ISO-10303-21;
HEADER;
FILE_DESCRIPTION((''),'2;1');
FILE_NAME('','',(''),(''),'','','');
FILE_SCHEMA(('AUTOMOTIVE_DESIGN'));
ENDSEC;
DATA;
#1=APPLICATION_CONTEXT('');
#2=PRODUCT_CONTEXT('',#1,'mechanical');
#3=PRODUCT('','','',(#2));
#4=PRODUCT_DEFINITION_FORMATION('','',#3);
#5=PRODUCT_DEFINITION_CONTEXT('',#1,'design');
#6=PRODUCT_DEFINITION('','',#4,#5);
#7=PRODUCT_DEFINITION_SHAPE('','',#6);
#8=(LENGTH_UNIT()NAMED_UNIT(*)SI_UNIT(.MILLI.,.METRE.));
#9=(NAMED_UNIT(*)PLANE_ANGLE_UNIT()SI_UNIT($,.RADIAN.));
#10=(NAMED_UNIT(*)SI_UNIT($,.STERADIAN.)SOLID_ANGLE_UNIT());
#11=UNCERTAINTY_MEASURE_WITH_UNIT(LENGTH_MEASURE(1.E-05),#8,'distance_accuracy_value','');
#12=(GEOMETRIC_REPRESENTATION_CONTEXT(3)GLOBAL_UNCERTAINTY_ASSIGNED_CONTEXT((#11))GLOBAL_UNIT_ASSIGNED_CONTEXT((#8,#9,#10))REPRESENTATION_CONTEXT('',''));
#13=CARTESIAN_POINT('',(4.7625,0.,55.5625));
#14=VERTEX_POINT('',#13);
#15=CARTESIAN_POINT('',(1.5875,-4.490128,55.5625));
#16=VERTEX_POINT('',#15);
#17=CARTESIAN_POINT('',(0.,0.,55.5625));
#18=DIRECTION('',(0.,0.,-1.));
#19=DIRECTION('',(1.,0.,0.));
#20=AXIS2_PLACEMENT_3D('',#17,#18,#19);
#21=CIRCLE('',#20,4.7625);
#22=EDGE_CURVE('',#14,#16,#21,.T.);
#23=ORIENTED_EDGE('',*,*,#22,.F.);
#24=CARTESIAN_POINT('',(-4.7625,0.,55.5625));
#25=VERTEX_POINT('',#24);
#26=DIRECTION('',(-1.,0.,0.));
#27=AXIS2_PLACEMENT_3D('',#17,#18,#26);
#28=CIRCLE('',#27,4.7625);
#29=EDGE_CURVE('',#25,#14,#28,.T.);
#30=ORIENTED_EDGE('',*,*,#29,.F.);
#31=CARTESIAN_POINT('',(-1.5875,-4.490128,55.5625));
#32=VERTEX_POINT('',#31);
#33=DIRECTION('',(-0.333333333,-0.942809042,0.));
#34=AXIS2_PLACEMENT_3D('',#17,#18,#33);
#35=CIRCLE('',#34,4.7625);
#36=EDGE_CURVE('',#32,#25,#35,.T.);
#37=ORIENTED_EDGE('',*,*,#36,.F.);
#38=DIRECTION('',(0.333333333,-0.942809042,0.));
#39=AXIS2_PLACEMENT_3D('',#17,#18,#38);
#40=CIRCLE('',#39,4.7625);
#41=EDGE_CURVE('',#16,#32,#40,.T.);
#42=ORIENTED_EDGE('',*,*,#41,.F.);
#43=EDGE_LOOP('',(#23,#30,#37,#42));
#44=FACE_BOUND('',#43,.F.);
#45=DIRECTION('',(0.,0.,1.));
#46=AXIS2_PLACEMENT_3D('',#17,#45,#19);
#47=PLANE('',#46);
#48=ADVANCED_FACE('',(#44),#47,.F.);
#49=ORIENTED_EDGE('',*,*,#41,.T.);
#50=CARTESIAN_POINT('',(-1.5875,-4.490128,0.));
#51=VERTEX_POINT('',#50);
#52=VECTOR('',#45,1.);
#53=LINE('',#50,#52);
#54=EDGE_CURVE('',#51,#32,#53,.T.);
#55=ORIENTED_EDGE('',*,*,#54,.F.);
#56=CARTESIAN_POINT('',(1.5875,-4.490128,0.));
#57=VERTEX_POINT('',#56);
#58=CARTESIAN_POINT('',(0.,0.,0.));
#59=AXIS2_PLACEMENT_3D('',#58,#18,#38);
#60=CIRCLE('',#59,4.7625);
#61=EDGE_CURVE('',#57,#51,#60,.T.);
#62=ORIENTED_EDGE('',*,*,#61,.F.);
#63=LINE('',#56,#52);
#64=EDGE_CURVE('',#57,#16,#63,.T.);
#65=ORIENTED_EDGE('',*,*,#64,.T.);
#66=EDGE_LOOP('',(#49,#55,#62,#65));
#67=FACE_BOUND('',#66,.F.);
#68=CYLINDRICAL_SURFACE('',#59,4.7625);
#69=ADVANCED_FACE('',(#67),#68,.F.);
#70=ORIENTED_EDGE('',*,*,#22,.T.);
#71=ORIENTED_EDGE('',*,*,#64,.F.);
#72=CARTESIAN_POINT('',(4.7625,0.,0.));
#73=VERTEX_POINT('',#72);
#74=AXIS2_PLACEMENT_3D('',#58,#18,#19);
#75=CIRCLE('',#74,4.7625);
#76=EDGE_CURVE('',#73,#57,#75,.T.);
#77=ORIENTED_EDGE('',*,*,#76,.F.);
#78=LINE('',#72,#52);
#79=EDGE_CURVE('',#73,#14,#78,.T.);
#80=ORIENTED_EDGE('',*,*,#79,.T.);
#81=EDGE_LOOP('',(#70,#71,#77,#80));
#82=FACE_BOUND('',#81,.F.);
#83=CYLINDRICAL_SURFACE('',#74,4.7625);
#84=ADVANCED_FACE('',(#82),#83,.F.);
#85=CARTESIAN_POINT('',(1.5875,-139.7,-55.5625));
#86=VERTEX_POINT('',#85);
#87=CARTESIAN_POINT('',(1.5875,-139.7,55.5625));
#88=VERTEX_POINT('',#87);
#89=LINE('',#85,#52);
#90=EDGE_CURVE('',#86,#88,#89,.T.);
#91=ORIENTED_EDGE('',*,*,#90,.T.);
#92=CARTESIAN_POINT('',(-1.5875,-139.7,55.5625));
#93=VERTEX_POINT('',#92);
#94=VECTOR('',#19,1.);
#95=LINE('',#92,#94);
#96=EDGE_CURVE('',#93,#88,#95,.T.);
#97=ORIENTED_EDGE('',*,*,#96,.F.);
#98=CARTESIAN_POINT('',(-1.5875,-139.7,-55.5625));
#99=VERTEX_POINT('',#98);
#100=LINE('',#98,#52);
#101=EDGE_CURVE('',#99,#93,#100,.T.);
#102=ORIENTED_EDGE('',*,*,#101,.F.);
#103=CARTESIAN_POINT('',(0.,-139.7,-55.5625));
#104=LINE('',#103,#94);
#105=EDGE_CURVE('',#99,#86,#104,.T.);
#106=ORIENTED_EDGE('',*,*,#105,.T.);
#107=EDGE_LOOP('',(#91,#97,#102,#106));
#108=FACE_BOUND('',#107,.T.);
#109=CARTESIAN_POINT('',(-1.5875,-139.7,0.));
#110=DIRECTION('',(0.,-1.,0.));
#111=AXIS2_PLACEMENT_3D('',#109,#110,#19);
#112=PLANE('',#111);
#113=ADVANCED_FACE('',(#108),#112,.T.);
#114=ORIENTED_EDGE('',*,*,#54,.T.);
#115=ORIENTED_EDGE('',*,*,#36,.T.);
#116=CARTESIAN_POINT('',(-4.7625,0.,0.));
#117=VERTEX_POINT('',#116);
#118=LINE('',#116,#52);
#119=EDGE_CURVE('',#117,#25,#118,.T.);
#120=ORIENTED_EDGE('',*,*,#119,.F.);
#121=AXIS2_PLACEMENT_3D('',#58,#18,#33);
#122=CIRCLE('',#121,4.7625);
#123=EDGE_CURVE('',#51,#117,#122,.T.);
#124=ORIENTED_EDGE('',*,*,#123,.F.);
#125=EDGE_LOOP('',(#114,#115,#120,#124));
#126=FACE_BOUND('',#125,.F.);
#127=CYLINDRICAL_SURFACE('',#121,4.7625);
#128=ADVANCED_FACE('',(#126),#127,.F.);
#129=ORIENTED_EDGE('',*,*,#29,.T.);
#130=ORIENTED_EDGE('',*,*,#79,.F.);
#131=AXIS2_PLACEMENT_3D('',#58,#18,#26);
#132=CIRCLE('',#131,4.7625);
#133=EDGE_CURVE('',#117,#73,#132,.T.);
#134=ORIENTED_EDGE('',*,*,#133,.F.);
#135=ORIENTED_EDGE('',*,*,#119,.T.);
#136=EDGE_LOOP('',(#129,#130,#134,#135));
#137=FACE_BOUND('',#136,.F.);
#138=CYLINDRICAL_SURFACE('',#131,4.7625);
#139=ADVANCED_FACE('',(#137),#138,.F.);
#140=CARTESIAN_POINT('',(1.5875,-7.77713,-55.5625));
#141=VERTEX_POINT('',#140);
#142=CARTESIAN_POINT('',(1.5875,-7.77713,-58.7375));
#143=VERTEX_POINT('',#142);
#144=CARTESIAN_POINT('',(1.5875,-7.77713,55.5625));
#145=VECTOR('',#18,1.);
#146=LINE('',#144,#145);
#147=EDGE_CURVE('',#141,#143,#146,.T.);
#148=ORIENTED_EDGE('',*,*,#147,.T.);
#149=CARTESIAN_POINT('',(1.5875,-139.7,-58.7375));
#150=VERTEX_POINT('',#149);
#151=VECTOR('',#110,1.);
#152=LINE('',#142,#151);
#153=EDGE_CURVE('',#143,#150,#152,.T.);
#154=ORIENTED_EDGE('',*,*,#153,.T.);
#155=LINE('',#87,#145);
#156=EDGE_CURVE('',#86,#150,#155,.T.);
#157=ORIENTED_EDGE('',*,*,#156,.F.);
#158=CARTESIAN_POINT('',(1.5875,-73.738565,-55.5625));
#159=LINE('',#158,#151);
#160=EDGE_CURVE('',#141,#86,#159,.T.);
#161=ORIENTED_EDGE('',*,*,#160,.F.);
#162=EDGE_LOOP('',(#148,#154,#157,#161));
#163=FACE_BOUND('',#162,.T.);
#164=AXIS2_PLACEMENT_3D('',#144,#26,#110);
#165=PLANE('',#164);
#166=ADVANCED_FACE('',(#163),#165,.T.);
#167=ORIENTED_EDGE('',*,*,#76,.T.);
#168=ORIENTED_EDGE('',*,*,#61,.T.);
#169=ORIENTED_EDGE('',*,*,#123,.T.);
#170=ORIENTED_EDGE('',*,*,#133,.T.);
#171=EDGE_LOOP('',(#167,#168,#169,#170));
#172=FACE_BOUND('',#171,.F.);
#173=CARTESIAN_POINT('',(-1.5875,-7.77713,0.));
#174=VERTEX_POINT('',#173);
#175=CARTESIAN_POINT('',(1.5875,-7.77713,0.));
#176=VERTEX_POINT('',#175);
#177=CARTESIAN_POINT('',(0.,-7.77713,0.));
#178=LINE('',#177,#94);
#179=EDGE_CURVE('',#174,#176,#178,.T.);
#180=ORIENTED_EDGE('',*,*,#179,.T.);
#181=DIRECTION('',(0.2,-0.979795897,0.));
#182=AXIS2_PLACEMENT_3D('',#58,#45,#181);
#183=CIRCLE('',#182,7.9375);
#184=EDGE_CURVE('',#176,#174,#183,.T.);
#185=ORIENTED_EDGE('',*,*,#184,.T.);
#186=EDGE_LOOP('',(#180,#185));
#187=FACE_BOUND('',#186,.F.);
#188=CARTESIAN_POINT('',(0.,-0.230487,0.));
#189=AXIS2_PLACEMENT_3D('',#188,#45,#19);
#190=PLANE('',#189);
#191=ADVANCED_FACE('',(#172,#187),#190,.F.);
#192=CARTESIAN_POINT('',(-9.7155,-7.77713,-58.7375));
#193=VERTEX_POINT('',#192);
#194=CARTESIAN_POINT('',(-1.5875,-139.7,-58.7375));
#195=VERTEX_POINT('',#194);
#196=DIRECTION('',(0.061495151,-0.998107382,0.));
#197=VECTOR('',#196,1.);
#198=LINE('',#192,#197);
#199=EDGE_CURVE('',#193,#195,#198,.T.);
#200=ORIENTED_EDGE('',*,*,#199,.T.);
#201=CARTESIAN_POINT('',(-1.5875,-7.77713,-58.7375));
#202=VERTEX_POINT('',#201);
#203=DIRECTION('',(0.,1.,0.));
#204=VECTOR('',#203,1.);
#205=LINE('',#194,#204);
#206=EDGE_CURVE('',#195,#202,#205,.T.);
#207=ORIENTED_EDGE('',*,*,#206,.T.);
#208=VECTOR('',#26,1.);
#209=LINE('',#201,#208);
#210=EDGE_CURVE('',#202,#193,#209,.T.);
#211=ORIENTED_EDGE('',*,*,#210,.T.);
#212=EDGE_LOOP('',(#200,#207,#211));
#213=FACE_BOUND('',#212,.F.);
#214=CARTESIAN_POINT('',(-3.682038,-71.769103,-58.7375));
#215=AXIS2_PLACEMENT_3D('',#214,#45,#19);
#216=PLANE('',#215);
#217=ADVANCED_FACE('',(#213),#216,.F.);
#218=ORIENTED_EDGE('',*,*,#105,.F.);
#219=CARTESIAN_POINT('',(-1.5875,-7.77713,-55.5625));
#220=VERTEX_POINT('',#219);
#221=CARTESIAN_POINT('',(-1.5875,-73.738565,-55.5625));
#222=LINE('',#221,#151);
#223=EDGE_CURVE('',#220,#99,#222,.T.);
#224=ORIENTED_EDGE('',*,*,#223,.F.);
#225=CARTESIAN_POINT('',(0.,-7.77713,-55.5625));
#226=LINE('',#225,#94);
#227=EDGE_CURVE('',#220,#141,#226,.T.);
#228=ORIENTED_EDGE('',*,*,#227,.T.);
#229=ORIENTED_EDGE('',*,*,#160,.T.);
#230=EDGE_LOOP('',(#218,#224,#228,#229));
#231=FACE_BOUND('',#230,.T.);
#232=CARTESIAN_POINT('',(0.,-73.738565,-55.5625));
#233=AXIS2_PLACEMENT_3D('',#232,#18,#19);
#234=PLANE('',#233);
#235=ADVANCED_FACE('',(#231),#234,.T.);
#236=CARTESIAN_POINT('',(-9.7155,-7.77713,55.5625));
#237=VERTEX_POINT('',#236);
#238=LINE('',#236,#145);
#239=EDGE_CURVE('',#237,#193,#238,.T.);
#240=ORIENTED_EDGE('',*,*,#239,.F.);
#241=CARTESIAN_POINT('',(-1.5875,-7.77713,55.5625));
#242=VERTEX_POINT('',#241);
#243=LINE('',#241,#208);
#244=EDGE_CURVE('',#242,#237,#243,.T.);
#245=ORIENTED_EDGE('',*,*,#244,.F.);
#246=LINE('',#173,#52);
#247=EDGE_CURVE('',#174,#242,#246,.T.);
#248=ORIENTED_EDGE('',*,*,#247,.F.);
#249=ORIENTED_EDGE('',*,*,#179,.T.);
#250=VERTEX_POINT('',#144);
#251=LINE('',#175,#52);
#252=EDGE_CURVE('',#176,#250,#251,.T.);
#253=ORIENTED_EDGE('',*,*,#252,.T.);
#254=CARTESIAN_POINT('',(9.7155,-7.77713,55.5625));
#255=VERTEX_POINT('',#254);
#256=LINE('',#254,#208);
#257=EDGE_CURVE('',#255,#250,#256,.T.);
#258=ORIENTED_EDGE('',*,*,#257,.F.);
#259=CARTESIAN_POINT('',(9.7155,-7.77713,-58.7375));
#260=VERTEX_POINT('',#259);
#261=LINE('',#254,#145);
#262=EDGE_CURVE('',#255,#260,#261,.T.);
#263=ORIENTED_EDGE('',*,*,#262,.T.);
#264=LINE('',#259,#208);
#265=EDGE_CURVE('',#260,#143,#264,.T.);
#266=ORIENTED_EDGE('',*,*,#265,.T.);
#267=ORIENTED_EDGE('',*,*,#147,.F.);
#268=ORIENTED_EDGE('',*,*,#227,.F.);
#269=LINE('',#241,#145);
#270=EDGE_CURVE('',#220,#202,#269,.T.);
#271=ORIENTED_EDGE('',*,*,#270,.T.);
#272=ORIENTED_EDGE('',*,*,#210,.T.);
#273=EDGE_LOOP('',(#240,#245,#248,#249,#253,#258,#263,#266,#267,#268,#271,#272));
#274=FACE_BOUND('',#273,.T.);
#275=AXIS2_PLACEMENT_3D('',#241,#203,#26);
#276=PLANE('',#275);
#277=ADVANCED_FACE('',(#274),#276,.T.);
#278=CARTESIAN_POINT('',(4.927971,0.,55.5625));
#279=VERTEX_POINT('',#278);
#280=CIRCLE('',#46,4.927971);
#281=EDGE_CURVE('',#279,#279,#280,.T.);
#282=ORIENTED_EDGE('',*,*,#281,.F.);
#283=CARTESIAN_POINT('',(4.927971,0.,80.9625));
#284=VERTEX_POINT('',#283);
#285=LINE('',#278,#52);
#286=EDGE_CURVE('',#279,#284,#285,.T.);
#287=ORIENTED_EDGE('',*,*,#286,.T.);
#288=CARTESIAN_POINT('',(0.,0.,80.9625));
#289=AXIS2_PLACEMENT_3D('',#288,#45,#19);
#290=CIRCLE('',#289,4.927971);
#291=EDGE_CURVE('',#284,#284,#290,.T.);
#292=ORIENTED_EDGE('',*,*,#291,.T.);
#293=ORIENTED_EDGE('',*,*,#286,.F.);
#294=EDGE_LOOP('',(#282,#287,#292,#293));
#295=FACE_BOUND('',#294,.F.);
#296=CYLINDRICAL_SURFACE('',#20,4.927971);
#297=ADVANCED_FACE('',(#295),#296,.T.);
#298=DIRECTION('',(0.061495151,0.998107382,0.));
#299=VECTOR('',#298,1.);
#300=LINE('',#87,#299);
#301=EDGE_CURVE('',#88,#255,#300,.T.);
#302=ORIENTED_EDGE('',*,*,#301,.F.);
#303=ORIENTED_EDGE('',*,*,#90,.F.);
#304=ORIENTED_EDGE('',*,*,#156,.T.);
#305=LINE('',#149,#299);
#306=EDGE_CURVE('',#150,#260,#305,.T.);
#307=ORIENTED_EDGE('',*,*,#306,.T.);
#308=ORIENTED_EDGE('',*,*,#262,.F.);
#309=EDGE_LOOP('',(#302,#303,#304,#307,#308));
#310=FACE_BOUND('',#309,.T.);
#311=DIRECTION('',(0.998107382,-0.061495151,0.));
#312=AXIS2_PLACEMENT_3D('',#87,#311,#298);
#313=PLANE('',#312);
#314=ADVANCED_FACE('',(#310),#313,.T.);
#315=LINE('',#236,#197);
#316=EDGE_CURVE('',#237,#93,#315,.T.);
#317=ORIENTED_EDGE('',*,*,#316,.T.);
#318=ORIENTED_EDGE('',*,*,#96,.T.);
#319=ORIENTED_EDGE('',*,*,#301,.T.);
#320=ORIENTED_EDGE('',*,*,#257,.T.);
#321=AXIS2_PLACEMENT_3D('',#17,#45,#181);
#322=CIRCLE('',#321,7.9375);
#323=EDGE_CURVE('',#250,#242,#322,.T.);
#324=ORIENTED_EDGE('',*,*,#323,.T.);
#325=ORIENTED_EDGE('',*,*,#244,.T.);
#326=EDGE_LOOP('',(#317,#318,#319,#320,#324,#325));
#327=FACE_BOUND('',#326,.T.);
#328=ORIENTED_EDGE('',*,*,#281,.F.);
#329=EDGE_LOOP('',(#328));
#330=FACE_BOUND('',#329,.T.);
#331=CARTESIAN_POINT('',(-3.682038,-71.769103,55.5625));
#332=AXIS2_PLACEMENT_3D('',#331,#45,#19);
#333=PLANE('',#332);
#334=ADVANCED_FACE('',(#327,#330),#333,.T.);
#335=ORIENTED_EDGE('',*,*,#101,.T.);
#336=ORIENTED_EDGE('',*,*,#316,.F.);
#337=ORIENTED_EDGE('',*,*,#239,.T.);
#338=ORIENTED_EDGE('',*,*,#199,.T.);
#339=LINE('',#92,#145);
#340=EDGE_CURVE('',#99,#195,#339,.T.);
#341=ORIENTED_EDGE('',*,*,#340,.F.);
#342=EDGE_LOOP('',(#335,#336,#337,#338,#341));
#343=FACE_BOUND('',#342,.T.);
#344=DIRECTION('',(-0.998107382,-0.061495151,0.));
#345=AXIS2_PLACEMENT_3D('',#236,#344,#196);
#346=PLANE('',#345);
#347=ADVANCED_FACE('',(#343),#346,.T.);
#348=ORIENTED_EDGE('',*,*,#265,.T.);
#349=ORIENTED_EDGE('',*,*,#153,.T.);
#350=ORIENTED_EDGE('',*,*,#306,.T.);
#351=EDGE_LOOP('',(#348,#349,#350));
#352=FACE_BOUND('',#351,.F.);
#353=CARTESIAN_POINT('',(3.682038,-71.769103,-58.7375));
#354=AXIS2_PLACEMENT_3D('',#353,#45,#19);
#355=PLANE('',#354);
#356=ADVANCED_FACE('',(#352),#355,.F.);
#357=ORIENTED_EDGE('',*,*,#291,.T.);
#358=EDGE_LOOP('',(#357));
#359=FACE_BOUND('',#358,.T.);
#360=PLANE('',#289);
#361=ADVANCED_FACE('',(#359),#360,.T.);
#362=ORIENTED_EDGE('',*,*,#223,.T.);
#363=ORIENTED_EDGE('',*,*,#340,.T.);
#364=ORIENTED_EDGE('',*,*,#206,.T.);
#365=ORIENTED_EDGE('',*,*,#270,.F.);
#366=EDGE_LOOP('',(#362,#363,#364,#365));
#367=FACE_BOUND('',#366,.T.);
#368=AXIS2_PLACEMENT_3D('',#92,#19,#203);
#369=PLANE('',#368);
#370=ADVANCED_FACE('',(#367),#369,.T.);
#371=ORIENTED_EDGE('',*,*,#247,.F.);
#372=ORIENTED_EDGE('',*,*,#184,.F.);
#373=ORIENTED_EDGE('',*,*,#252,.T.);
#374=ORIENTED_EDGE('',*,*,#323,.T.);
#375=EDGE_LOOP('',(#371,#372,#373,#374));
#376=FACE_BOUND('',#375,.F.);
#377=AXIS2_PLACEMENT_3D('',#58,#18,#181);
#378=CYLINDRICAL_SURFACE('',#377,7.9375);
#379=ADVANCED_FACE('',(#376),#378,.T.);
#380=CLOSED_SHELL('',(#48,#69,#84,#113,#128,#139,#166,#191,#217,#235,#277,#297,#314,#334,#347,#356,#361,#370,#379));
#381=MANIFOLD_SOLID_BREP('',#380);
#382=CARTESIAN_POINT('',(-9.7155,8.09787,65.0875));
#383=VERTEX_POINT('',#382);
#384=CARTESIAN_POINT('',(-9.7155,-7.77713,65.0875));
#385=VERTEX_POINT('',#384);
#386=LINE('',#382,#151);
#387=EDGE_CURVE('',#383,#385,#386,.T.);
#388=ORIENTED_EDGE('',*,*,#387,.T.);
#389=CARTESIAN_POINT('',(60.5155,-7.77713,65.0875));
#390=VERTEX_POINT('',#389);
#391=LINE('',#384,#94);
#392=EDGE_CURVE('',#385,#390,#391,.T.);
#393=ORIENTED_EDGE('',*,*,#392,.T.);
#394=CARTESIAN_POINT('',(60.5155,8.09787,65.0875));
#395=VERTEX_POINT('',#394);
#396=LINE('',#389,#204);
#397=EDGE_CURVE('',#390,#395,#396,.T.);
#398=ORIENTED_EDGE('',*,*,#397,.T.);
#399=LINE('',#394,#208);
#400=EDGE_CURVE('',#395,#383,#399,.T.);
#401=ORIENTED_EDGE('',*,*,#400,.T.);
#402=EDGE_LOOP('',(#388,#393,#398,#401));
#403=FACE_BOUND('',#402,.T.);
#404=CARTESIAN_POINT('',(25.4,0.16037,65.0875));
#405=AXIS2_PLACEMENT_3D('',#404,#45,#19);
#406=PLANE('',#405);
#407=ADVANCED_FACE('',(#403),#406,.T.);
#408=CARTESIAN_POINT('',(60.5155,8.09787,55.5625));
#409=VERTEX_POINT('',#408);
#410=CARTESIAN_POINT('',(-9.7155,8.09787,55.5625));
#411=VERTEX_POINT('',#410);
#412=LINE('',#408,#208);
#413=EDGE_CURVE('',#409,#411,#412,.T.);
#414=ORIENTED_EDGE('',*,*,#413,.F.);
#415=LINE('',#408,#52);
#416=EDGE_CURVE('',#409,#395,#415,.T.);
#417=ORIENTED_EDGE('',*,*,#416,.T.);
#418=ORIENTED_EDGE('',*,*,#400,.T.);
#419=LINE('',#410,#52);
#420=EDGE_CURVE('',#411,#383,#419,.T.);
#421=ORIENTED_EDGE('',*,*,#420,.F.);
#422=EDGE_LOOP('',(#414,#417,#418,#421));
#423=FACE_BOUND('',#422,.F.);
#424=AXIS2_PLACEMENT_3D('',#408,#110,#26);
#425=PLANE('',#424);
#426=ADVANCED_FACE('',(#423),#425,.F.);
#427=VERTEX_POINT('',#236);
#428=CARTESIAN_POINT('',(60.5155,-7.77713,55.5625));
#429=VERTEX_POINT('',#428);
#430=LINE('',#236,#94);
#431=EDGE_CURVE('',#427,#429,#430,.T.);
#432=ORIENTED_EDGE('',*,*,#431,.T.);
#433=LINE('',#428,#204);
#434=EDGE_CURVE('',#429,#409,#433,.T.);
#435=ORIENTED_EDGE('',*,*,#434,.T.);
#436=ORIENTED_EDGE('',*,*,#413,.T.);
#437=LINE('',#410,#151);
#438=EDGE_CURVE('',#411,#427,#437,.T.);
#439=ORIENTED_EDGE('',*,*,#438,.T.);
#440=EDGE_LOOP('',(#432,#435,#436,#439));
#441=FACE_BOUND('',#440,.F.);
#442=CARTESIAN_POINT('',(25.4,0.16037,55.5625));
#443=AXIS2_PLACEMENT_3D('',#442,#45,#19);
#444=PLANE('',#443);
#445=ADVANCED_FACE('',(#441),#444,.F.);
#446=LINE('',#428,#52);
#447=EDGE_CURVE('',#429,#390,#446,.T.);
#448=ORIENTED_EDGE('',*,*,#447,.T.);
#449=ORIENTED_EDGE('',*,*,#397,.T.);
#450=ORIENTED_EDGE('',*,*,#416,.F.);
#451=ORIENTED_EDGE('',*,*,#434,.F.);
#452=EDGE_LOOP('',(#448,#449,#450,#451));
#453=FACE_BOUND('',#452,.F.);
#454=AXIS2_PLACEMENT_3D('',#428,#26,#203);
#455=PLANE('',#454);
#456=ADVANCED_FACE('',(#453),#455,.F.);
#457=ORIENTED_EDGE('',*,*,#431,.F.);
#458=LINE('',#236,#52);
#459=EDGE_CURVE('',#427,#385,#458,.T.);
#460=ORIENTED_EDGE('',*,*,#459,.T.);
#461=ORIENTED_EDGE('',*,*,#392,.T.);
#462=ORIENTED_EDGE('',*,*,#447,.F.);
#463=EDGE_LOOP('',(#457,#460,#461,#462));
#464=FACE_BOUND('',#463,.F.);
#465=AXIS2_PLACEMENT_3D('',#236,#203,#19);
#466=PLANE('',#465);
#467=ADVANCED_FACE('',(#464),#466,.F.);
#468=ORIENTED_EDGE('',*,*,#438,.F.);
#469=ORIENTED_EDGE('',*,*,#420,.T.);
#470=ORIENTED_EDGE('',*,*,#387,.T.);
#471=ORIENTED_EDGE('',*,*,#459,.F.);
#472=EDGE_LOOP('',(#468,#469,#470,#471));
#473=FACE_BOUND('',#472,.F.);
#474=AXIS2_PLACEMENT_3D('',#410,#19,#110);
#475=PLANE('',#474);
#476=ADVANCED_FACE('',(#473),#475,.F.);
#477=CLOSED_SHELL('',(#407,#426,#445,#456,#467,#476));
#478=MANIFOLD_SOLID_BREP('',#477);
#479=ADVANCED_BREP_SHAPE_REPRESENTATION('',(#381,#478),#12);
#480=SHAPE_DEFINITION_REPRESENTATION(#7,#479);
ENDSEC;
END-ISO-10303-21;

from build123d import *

# Parameters (mm, degrees)
F1_DEPTH = 55.5625
F2_W     = 3.175
F2_H     = 131.9228700667
F3_DEPTH = 55.5625
F5_DEPTH = 114.3
F6_R     = 4.9279707003
F7_DEPTH = 25.4
F9_DEPTH = 9.525


with BuildPart() as f1:
    # F0 (on Top) → F1 (new body)
    with BuildSketch(Plane.XY):
        with BuildLine():
            ThreePointArc((1.5875, -7.7771299333), (6.1483610621, -5.0201157855), (7.9375, 0))
            ThreePointArc((7.9375, 0), (-5.0201157855, 6.1483610621), (-1.5875, -7.7771299333))
            Line((-1.5875, -7.7771299333), (-1.5875, -4.4901280605))
            ThreePointArc((-1.5875, -4.4901280605), (-3.8885649667, -2.749630657), (-4.7625, 0))
            ThreePointArc((-4.7625, 0), (0, 4.7625), (4.7625, 0))
            ThreePointArc((4.7625, 0), (3.8885649667, -2.749630657), (1.5875, -4.4901280605))
            Line((1.5875, -4.4901280605), (1.5875, -7.7771299333))
        make_face()
        with BuildLine():
            Line((-1.5875, -4.4901280605), (-1.5875, -7.7771299333))
            ThreePointArc((-1.5875, -7.7771299333), (0, -7.9375), (1.5875, -7.7771299333))
            Line((1.5875, -7.7771299333), (1.5875, -4.4901280605))
            ThreePointArc((1.5875, -4.4901280605), (0, -4.7625), (-1.5875, -4.4901280605))
        make_face()
        with BuildLine():
            ThreePointArc((1.5875, -7.7771299333), (0, -7.9375), (-1.5875, -7.7771299333))
            Line((-1.5875, -7.7771299333), (-1.5875, -139.7))
            Line((-1.5875, -139.7), (1.5875, -139.7))
            Line((1.5875, -139.7), (1.5875, -7.7771299333))
        make_face()
    extrude(amount=F1_DEPTH)

    # F2 (on face) → F3 (join)
    with BuildSketch(Plane(origin=(0, 0, 0), x_dir=(1, 0, 0), z_dir=(0, 0, -1))):
        with Locations((0, 73.7385649667)):
            Rectangle(F2_W, F2_H)
    extrude(amount=F3_DEPTH)

    # F4 (on face) → F5 (join)
    with BuildSketch(Plane.XY.offset(55.5625)):
        Polygon((-1.5875, -139.7), (-1.5875, -7.7771299333), (-9.7155, -7.7771299333), align=None)
        Polygon((9.7155, -7.7771299333), (1.5875, -7.7771299333), (1.5875, -139.7), align=None)
    extrude(amount=-F5_DEPTH)

    # F6 (on face) → F7 (join)
    with BuildSketch(Plane.XY.offset(55.5625)):
        Circle(F6_R)
    extrude(amount=F7_DEPTH)


with BuildPart() as f9:
    # F8 (on face) → F9 (new body)
    with BuildSketch(Plane.XY.offset(55.5625)):
        Polygon((-9.7155, 8.0978700667), (-9.7155, -7.7771299333), (9.7155, -7.7771299333), (60.5155, -7.7771299333), (60.5155, 8.0978700667), (9.7155, 8.0978700667), align=None)
    extrude(amount=F9_DEPTH)


solid = Compound([f1.part, f9.part])
